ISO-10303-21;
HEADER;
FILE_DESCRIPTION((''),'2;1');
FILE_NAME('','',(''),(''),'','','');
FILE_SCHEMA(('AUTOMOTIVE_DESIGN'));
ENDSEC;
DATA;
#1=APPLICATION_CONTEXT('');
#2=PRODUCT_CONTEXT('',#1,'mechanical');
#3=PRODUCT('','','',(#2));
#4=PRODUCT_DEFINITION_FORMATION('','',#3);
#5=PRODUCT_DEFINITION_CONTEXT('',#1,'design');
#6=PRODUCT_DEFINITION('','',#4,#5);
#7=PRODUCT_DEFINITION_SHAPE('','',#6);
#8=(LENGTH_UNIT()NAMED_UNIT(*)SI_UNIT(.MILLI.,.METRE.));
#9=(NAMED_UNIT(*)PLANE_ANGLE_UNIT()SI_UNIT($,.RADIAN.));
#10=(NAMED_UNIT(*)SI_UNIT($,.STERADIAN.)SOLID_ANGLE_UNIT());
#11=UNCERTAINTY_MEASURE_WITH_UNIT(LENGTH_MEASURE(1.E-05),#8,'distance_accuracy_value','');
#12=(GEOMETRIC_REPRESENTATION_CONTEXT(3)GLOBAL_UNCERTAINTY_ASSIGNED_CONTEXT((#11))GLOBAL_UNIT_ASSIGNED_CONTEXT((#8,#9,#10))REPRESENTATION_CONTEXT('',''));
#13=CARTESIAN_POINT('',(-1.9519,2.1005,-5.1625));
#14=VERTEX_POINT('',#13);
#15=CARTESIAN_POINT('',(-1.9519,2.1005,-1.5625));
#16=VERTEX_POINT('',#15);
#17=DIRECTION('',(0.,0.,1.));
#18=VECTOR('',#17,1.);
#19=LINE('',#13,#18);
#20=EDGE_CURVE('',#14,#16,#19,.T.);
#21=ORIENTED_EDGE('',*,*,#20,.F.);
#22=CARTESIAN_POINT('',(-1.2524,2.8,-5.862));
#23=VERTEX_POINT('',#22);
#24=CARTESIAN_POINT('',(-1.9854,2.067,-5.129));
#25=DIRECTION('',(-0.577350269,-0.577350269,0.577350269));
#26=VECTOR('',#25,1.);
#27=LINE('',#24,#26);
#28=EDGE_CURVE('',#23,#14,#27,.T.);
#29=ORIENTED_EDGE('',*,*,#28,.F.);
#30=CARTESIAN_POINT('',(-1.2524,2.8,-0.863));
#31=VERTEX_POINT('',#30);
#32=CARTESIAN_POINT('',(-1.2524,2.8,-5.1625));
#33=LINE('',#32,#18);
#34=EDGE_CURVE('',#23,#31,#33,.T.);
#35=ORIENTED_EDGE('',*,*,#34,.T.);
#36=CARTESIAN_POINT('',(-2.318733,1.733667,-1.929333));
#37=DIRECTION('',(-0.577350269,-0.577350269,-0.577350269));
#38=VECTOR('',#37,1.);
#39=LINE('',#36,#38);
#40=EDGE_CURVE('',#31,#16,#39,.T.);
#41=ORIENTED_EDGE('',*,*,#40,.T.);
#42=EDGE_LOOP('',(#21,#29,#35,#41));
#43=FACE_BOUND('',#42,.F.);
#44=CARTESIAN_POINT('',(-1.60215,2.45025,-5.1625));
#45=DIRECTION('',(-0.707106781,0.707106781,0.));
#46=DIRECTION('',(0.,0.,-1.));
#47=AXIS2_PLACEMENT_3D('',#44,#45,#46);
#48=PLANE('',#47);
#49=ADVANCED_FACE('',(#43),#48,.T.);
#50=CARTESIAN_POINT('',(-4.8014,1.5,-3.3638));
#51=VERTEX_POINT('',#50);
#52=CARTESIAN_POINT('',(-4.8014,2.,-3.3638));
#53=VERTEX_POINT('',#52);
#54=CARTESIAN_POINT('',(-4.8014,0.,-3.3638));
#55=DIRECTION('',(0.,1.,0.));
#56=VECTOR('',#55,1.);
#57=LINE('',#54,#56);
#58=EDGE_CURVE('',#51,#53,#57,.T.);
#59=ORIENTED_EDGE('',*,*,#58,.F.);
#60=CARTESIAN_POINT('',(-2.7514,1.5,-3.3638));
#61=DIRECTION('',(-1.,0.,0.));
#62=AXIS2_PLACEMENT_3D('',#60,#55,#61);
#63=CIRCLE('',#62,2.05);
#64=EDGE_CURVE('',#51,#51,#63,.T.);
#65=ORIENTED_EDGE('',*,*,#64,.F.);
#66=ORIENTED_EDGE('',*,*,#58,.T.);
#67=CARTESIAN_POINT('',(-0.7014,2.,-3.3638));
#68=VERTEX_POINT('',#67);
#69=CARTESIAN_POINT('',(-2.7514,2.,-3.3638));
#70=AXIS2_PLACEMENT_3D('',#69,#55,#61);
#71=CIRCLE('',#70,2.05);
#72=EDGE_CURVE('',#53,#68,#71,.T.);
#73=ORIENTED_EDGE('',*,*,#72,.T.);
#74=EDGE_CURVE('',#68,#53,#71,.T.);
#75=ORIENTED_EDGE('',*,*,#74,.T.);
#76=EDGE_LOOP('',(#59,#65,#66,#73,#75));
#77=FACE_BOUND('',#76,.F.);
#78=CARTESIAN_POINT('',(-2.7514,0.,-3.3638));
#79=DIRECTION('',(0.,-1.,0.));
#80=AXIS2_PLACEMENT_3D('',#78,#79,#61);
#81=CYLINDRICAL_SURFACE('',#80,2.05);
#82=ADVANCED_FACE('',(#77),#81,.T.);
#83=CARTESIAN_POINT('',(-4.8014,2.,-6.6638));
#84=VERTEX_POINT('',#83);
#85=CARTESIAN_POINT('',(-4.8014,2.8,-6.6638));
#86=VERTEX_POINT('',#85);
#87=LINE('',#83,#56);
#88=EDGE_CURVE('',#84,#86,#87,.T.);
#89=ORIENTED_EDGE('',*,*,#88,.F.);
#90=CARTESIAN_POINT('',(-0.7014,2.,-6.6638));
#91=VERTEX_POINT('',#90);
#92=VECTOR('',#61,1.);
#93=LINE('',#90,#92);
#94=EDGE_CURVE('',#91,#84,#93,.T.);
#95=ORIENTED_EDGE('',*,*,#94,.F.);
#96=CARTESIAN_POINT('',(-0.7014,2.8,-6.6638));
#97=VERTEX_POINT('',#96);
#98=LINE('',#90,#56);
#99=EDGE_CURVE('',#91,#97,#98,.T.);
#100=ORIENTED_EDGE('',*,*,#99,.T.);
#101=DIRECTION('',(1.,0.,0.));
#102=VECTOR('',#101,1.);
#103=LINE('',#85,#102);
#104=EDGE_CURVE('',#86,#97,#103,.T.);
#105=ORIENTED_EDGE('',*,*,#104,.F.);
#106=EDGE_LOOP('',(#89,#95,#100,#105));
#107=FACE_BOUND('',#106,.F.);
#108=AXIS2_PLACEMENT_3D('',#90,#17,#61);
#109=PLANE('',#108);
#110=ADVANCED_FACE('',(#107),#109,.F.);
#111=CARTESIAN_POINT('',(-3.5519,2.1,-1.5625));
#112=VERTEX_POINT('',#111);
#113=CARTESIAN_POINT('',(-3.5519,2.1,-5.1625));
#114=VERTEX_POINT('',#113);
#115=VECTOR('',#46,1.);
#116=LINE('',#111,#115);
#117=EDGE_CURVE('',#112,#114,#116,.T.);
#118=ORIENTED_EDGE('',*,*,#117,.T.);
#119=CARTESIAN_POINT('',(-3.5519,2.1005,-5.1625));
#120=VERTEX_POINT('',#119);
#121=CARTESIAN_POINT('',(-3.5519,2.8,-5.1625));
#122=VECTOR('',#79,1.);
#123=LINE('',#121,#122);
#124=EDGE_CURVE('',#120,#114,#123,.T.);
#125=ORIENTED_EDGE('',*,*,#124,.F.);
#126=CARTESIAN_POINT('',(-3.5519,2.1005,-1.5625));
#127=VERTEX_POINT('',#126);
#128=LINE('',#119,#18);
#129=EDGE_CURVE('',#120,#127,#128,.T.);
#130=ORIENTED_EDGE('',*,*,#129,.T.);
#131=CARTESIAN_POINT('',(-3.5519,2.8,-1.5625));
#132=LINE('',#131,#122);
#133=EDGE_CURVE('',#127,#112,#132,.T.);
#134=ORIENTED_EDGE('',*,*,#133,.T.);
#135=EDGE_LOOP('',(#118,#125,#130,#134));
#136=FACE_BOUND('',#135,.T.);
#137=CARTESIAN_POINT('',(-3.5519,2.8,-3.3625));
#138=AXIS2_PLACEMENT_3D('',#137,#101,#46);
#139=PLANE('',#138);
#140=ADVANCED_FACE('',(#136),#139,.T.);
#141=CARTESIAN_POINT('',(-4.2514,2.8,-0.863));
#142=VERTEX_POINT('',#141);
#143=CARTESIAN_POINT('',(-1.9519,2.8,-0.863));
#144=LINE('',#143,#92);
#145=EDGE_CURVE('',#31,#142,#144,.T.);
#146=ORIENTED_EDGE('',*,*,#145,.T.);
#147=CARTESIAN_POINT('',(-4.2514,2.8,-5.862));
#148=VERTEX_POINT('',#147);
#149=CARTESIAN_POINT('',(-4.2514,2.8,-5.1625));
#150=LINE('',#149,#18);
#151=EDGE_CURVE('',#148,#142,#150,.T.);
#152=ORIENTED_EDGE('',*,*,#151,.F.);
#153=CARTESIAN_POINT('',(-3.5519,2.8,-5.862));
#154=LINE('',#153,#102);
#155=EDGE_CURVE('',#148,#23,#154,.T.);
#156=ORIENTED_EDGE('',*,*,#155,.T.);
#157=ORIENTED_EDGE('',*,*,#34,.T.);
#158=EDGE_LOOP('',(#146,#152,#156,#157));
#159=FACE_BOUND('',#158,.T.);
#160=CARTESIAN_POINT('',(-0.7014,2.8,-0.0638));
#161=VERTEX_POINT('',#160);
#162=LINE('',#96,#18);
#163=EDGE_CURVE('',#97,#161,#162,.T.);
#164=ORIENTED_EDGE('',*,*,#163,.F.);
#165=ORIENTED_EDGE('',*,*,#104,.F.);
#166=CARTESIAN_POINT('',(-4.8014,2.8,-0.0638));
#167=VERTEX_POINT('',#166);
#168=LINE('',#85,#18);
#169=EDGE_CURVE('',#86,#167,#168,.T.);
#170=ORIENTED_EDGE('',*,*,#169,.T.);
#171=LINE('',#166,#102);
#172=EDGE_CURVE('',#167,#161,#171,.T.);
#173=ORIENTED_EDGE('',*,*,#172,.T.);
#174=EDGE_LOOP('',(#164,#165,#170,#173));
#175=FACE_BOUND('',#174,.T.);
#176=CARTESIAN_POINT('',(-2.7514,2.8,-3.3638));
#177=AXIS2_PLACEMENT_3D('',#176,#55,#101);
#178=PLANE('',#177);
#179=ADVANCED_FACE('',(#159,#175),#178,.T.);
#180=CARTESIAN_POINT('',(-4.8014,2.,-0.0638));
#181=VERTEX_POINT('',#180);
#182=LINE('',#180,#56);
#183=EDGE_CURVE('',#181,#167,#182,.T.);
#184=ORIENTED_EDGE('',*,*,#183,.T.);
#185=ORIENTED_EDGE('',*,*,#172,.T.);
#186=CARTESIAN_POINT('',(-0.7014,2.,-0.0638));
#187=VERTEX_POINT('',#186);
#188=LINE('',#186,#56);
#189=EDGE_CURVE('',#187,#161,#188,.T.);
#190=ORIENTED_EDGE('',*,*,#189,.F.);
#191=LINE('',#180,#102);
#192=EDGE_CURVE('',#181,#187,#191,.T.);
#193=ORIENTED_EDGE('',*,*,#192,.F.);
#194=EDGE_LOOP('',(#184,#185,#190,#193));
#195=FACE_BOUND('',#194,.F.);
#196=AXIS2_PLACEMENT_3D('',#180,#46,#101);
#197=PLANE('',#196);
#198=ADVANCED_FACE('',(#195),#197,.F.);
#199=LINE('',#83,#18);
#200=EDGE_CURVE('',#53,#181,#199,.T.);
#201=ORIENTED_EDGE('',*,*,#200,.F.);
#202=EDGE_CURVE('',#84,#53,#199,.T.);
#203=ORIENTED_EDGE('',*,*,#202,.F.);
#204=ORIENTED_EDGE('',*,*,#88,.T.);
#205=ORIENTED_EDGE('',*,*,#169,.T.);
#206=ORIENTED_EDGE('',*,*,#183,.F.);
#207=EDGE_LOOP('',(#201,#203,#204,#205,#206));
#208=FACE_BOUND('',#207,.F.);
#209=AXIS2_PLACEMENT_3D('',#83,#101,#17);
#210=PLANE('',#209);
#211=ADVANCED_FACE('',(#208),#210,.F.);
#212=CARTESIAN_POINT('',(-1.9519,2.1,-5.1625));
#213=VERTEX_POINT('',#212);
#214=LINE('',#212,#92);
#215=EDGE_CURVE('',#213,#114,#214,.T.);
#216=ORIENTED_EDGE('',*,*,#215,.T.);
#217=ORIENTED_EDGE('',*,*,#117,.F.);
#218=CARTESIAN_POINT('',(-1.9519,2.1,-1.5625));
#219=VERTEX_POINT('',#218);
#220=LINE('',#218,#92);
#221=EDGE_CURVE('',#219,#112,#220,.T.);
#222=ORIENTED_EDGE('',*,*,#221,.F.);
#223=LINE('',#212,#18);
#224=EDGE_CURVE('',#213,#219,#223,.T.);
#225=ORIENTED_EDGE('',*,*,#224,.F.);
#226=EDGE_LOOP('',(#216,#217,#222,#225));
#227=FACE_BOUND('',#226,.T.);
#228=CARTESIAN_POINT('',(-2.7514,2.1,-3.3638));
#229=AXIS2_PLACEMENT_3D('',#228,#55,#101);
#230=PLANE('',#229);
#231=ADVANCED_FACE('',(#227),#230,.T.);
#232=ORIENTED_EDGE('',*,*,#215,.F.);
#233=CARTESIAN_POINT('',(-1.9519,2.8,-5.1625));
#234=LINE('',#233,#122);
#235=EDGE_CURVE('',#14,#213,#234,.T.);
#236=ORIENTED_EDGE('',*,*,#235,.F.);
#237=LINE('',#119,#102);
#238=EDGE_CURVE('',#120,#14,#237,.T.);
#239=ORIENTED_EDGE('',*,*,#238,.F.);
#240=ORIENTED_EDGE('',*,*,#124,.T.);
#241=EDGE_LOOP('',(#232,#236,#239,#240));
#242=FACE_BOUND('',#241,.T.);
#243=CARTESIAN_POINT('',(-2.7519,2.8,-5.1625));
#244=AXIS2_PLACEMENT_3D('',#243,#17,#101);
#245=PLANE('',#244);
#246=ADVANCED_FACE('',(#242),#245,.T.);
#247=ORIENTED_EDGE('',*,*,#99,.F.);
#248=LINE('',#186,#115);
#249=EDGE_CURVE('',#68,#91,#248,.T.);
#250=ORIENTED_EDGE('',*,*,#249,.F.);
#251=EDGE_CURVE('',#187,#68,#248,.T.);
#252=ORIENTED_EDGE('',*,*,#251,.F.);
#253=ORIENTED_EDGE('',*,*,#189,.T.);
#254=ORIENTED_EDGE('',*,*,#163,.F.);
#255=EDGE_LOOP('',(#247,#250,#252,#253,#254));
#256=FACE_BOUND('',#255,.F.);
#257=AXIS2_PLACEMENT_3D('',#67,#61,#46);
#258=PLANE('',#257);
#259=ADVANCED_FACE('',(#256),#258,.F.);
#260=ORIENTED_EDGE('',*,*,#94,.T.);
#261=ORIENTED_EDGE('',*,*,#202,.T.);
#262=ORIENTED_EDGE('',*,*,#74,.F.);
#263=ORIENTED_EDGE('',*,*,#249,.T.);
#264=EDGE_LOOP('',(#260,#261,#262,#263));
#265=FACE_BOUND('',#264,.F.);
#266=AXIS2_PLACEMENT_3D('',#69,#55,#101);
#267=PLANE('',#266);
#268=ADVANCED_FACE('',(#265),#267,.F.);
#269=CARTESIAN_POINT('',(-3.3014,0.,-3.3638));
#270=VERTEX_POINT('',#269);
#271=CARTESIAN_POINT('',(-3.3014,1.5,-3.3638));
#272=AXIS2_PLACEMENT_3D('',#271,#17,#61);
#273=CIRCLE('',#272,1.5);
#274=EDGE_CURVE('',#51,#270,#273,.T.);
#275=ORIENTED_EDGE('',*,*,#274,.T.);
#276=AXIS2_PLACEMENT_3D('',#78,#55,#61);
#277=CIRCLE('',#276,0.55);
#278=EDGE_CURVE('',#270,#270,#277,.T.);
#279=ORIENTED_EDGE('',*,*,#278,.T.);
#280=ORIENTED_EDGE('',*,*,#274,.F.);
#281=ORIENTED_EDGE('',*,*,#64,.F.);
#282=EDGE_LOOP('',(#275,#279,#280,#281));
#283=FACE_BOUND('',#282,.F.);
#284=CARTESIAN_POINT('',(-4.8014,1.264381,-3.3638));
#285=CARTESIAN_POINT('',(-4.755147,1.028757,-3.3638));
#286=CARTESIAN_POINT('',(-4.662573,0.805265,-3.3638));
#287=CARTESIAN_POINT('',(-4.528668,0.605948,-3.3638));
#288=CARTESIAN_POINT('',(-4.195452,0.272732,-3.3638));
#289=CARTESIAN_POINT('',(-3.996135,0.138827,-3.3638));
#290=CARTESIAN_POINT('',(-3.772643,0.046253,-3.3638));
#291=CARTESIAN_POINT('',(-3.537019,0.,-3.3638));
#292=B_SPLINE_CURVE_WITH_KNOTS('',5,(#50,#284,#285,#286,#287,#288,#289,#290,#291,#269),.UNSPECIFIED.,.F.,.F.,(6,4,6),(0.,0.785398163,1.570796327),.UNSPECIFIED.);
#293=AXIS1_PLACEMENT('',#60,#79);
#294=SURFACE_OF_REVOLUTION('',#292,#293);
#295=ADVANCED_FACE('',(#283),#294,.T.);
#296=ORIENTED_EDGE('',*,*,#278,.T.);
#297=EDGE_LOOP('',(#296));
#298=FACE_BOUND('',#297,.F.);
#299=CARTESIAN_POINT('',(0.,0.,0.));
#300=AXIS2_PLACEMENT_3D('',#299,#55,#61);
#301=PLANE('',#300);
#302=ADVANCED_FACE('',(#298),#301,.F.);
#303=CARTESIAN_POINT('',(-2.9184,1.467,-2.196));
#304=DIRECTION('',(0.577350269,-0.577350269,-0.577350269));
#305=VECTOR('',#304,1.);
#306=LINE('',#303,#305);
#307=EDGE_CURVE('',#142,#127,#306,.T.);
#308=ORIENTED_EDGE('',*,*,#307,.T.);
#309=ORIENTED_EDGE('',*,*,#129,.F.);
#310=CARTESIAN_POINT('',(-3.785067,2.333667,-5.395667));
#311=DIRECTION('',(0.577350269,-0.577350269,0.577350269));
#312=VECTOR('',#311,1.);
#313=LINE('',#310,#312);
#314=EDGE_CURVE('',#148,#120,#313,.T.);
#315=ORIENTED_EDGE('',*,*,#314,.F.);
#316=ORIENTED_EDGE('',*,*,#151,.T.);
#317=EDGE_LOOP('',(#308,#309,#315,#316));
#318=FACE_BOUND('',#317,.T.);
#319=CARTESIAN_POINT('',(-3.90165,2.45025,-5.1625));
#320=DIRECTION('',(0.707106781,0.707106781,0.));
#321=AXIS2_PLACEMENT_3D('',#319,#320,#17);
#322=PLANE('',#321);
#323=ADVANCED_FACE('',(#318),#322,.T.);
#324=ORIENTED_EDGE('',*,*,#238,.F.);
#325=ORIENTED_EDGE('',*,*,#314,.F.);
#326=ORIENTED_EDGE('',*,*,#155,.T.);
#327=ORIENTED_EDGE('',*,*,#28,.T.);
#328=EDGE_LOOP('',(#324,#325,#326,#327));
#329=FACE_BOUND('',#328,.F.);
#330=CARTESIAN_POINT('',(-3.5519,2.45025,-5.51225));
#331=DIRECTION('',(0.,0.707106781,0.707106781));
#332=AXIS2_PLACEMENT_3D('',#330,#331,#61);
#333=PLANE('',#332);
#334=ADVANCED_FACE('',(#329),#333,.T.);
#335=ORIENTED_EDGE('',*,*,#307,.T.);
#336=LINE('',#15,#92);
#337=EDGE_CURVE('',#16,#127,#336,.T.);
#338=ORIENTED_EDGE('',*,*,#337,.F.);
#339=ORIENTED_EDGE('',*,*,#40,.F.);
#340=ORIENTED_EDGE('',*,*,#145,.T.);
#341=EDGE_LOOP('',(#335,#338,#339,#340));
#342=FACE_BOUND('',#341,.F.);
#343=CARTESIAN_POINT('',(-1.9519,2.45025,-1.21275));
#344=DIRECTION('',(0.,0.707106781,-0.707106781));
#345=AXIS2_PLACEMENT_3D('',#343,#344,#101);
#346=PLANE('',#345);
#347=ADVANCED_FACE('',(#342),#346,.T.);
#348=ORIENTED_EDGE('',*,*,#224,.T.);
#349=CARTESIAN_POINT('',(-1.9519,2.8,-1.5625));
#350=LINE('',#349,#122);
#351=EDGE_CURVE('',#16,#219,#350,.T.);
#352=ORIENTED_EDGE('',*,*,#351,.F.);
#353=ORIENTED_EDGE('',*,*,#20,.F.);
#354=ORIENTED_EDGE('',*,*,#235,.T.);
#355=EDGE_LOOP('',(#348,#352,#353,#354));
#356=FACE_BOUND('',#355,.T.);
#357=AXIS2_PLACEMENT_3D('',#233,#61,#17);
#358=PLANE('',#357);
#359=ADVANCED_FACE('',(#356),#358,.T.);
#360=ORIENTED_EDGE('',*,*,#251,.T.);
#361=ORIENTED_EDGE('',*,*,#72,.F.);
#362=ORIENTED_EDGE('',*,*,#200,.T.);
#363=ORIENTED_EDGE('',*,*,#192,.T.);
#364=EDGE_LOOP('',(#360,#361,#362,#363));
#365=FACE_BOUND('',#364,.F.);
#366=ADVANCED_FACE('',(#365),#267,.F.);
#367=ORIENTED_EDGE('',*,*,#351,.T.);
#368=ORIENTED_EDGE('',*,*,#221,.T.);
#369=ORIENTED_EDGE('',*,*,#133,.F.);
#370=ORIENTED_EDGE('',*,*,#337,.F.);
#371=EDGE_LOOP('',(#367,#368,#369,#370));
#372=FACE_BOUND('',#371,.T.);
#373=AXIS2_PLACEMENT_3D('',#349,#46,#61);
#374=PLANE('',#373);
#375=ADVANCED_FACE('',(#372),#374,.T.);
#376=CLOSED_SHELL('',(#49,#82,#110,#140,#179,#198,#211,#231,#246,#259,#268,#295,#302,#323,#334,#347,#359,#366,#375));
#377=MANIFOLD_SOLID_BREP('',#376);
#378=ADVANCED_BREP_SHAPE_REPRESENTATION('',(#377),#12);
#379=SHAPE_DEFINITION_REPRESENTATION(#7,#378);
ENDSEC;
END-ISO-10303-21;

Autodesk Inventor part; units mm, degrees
ref_plane "YZ Plane" through (0, 0, 0) normal (1, 0, 0) x (0, 1, 0)
ref_plane "XZ Plane" through (0, 0, 0) normal (0, 1, 0) x (-1, 0, 0)
ref_plane "XY Plane" through (0, 0, 0) normal (0, 0, 1) x (1, 0, 0)
sketch "Skizze1" plane through (0, 0, 0) normal (0, 1, 0) x (-1, 0, 0)
  circle A0 centre (2.7514, -3.3638) radius 2.05
  point P0 (0, 0)
  dimension "d0" = 4.1
extrude "Extrusion1" add sketch "Skizze1" along normal blind 2
fillet "Rundung1" radius 1.5 1 edges at (-0.7014, 0, -3.3638)
sketch "Skizze9" plane through (-2.7514, 2, -3.3638) normal (0, 1, 0) x (1, 0, 0)
  point P0 (2.7514, -3.3638)
sketch "Skizze10" plane through (-2.7514, 2, -3.3638) normal (0, 1, 0) x (1, 0, 0)
  line L0 (0, 0) -> (2.05, 0)
  line L1 (2.05, 0) -> (2.05, 3.3)
  line L2 (2.05, 3.3) -> (0, 3.3)
  line L3 (0, 3.3) -> (0, 0)
  line L4 (2.05, 3.3) -> (-2.05, 3.3)
  line L5 (-2.05, 3.3) -> (-2.05, -3.3)
  line L6 (-2.05, -3.3) -> (2.05, -3.3)
  line L7 (2.05, -3.3) -> (2.05, 3.3)
  point P0 (2.7514, -3.3638)
  point P1 (0, 3.3)
  dimension "d27" = 3.3
  dimension "d28" = 6.6
extrude "Extrusion9" add sketch "Skizze10" along normal blind 0.8
sketch "Skizze12" plane through (-2.7514, 2.8, -3.3638) normal (0, 1, 0) x (1, 0, 0)
  line L0 (-0.0005, -0.0013) -> (-0.8005, -0.0013)
  line L1 (-0.8005, -0.0013) -> (-0.8005, 1.7987)
  line L2 (-0.8005, 1.7987) -> (-0.0005, 1.7987)
  line L3 (-0.0005, 1.7987) -> (-0.0005, -0.0013)
  line L4 (-0.8005, 1.7987) -> (0.7995, 1.7987)
  line L5 (0.7995, 1.7987) -> (0.7995, -1.8013)
  line L6 (0.7995, -1.8013) -> (-0.8005, -1.8013)
  line L7 (-0.8005, -1.8013) -> (-0.8005, 1.7987)
  point P0 (2.7514, -3.3638)
  dimension "d35" = 0.8
  dimension "d36" = 1.8
  dimension "d37" = 1.6
  dimension "d38" = 3.6
extrude "Extrusion10" cut sketch "Skizze12" against normal blind 0.7
chamfer "Fase1" distance 0.7 angle 45 4 edges at (-1.9519, 2.8, -3.3625) (-3.5519, 2.8, -3.3625) (-2.7519, 2.8, -5.1625) (-2.7519, 2.8, -1.5625)
properties part number "button" material "Gummi, Silikon"
